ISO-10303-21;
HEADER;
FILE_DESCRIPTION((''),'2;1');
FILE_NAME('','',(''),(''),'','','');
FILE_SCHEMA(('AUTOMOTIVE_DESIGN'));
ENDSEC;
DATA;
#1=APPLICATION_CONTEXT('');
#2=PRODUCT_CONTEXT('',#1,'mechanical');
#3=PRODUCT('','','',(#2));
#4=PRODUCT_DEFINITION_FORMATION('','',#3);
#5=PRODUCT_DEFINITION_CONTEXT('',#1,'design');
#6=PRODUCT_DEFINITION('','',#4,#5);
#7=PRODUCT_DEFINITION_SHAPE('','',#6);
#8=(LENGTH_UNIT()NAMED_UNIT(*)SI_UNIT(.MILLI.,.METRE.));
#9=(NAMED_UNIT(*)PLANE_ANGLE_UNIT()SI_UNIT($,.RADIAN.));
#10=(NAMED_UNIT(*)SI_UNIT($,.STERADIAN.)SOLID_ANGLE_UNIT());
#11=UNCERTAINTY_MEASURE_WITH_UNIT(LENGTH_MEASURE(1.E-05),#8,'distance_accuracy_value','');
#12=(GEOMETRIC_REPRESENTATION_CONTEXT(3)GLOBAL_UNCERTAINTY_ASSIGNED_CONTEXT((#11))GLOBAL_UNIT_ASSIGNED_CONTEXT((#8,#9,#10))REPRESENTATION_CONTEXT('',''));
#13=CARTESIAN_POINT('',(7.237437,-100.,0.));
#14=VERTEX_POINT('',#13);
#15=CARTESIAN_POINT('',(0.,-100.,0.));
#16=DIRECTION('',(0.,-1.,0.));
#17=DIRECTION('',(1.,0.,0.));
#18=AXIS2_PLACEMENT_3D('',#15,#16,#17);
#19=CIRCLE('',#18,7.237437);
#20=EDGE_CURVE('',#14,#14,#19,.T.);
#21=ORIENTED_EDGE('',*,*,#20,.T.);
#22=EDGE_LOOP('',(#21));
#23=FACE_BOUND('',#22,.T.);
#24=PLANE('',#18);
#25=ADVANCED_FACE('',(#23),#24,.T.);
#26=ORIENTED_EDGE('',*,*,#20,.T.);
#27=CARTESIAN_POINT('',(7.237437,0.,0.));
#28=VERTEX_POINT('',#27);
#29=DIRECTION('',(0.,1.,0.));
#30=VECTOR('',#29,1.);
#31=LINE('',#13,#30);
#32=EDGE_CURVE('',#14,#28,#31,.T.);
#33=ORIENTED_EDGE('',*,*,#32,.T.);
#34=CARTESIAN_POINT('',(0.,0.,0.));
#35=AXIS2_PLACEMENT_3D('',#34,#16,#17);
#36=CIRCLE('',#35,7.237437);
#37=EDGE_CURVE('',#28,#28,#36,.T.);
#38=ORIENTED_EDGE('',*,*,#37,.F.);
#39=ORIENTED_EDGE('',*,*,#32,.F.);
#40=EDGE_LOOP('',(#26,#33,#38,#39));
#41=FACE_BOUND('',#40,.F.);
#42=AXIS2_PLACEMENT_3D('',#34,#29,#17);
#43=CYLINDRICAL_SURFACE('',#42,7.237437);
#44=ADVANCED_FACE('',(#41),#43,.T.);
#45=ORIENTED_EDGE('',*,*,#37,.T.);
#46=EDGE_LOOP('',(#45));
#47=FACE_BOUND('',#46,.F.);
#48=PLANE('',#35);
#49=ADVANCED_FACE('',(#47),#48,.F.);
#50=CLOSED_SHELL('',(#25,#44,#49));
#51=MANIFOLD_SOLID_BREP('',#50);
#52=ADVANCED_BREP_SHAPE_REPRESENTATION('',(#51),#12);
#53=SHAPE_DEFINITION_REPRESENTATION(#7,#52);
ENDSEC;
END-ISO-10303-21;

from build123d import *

# Parameters (mm, degrees)
F0_R     = 7.237437
F1_DEPTH = 100
F2_DEPTH = 25.4


with BuildPart() as f1:
    # F0 (on Front) → F1 (new body)
    with BuildSketch(Plane.XZ):
        Circle(F0_R)
    extrude(amount=F1_DEPTH)

    # F0 (on Front) → F2 (join)
    with BuildSketch(Plane.XZ):
        Circle(F0_R)
    extrude(amount=F2_DEPTH)


solid = f1.part
